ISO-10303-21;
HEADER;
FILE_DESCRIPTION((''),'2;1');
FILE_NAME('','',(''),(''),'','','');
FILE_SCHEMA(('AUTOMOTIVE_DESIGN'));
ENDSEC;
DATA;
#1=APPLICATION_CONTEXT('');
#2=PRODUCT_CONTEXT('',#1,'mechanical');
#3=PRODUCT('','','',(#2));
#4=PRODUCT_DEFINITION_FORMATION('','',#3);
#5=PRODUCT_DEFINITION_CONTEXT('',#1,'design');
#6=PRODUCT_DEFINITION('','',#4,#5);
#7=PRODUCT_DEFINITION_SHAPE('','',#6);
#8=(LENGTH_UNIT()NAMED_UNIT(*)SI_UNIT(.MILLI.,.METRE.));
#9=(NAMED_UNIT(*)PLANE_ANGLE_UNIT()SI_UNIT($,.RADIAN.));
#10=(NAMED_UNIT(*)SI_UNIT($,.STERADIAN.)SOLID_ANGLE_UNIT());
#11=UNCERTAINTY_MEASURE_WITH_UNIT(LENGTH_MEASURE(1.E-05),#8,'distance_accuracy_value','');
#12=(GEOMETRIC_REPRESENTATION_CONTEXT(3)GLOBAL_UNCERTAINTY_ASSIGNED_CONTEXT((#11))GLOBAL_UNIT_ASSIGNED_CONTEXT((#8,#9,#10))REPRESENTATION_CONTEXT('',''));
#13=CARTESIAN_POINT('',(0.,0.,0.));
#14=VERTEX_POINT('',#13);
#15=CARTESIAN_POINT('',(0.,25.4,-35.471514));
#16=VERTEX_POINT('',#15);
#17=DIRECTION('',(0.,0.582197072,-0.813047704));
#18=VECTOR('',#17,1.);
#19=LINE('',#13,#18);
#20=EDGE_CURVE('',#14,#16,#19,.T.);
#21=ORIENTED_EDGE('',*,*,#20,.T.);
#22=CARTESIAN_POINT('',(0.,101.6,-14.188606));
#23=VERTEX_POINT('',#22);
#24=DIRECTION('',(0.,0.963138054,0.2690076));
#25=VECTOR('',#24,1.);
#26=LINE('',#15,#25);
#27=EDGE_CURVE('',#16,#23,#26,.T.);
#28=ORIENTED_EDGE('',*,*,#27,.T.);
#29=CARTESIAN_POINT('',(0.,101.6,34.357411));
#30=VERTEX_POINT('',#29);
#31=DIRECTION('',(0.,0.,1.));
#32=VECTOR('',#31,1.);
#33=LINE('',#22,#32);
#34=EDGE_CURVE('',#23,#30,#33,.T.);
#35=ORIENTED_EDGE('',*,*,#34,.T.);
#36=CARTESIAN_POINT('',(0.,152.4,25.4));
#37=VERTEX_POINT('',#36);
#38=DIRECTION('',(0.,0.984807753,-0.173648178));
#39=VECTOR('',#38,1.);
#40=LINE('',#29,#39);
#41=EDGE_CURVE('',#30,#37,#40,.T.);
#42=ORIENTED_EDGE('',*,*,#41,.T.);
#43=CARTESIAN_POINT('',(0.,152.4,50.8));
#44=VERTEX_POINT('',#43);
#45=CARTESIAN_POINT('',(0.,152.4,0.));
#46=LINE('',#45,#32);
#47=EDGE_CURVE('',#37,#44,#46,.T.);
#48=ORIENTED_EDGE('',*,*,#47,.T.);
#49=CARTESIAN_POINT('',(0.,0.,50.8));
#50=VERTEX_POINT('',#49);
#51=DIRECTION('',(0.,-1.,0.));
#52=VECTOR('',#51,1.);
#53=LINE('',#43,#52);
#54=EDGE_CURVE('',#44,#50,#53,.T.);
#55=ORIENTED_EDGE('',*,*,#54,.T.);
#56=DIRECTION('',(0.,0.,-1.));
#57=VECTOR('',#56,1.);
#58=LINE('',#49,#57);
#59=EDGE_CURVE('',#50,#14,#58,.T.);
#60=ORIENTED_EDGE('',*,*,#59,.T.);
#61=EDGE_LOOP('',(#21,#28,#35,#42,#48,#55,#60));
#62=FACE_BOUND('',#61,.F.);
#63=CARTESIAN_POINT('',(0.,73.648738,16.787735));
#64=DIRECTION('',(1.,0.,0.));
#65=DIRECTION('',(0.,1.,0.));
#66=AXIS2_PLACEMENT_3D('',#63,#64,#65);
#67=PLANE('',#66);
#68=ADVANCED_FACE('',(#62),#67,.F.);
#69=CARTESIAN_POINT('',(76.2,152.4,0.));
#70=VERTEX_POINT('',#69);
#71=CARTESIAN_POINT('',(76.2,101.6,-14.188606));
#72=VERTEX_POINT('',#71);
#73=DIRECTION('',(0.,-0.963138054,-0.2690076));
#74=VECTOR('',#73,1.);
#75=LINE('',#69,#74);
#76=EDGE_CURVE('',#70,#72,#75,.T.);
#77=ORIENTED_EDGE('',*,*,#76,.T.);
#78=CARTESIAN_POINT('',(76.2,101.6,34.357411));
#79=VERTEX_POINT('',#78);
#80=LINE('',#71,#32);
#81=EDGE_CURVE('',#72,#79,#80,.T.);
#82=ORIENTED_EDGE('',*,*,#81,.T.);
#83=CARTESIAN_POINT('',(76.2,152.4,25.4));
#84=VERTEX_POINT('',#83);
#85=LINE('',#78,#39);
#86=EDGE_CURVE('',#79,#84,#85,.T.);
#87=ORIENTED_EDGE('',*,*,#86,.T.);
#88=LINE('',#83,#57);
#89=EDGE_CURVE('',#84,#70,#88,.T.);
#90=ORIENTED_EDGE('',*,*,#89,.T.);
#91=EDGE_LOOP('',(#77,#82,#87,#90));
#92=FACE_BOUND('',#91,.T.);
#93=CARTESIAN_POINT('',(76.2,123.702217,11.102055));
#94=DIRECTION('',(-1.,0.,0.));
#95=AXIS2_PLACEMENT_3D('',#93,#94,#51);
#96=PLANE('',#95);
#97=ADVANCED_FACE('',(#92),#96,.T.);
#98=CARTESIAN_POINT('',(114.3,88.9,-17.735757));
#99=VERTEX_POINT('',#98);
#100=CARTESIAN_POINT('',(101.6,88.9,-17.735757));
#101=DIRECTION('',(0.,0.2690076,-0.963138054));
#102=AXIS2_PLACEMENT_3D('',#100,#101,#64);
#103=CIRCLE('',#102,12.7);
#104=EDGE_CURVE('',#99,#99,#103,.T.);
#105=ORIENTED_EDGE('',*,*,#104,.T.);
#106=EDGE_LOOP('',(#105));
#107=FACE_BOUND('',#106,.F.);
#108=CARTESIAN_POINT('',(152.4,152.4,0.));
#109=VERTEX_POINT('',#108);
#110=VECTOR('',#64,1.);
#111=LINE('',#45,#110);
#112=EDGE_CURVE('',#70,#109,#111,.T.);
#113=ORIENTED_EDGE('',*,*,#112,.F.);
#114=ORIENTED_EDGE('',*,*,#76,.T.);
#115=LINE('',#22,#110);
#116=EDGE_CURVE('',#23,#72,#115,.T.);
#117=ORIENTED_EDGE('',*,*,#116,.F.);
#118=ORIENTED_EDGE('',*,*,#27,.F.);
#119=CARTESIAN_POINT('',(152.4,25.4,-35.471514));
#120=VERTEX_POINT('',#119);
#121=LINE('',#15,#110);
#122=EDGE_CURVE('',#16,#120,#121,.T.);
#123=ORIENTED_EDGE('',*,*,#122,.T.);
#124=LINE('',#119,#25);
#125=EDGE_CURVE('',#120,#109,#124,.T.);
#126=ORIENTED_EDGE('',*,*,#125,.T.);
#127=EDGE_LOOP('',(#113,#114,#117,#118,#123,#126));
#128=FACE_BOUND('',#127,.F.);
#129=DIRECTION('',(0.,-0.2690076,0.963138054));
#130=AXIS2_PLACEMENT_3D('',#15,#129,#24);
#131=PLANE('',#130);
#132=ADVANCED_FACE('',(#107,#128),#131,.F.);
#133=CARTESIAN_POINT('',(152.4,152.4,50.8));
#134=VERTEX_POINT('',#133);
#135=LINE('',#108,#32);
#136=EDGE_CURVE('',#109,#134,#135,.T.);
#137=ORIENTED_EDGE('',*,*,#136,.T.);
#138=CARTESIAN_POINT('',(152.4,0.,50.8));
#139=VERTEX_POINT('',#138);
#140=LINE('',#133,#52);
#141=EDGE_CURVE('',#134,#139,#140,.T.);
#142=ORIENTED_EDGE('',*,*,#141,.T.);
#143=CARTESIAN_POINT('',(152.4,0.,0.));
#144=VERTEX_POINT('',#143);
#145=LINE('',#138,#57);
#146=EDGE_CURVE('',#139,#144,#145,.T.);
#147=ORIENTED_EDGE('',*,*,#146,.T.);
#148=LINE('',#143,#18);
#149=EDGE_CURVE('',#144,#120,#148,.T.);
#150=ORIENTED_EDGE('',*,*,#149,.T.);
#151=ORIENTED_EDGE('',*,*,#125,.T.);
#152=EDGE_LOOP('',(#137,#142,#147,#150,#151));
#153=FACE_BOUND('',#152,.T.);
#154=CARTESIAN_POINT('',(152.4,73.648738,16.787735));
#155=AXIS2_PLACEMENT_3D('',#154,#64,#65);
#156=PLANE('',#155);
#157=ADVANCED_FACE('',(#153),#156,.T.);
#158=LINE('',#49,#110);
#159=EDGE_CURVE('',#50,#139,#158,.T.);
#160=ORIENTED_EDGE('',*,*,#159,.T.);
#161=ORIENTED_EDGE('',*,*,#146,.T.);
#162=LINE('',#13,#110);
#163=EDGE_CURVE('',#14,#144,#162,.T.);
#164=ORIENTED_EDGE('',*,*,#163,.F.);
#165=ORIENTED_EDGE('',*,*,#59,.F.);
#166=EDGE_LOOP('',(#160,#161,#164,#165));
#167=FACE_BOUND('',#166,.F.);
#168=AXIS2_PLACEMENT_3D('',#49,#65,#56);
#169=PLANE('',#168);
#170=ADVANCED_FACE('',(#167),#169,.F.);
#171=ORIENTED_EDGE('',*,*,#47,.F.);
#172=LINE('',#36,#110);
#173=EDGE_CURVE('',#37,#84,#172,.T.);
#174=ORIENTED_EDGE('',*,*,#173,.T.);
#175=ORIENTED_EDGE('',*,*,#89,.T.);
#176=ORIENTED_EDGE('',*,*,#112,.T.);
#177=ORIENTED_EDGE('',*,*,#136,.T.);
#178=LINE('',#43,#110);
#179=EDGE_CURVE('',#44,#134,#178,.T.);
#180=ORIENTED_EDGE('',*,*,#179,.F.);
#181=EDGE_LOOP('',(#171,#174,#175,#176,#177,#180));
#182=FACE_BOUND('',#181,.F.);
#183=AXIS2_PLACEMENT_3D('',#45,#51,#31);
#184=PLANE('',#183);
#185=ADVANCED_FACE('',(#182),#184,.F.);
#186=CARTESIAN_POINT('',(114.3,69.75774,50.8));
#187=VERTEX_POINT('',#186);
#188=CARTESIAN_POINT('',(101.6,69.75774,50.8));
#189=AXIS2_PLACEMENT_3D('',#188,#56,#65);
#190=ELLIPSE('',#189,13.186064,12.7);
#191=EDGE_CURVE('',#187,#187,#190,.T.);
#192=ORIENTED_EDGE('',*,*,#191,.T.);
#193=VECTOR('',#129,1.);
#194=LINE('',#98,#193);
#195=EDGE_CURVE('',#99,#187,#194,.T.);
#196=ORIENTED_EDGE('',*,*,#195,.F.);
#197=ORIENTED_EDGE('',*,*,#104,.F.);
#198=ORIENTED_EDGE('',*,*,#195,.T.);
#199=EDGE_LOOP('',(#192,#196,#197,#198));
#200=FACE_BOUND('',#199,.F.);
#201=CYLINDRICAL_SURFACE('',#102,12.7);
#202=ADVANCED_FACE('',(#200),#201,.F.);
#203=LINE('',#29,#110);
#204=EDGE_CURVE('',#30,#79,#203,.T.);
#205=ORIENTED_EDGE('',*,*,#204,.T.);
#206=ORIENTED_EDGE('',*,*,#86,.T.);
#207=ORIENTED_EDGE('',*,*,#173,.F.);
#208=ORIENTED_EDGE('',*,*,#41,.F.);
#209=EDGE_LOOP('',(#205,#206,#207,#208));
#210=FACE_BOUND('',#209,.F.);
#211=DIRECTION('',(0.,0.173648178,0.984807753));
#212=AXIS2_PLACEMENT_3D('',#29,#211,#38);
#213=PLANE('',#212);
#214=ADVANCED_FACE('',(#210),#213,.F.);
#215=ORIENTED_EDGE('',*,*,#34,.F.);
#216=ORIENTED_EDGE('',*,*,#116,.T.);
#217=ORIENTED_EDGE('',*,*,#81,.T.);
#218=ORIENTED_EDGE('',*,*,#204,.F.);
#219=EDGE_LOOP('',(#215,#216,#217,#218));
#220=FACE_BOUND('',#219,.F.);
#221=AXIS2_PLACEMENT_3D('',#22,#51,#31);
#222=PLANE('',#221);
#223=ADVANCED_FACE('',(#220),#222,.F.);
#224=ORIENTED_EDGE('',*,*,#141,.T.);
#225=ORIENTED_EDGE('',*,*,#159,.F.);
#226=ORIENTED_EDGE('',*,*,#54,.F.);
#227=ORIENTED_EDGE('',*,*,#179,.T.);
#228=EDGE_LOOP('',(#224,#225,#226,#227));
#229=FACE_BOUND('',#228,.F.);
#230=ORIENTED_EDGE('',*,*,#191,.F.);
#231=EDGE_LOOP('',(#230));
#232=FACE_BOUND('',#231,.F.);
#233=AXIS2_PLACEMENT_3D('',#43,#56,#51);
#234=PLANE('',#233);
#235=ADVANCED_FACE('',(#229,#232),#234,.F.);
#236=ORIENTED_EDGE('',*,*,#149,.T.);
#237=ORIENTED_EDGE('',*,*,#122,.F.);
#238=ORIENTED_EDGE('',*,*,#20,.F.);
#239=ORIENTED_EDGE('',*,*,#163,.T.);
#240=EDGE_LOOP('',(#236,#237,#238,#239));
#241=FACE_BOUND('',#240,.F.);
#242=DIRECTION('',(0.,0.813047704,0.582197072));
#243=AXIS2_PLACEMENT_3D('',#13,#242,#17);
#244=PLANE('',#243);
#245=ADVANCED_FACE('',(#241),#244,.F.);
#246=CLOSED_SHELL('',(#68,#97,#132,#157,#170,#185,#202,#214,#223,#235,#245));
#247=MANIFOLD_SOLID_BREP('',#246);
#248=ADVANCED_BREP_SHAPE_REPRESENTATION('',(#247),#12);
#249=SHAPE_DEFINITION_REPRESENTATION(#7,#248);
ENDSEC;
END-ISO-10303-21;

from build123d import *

# Parameters (mm, degrees)
F1_DEPTH = 152.4
F2_R     = 12.7
F3_DEPTH = 74.7069606938
F5_DEPTH = 76.2


with BuildPart() as f1:
    # F0 (on Right) → F1 (new body)
    with BuildSketch(Plane.YZ):
        Polygon((152.4, 50.8), (0, 50.8), (0, 0), (25.4, -35.4715141967), (152.4, 0), align=None)
    extrude(amount=F1_DEPTH)

    # F2 (on face) → F3 (cut, through all)
    with BuildSketch(Plane(origin=(0, 11.0284395164, -39.4855379111), x_dir=(1, 0, 0), z_dir=(0, 0.2690075997, -0.9631380541))):
        with Locations((101.6, -80.8519195663)):
            Circle(F2_R)
    extrude(amount=-F3_DEPTH, mode=Mode.SUBTRACT)

    # F4 (on face) → F5 (cut)
    with BuildSketch(Plane(origin=(0, 0, 0), x_dir=(0, -1, 0), z_dir=(-1, 0, 0))):
        Polygon((-152.4, 0), (-101.6, -14.1886056787), (-101.6, 34.35741062), (-152.4, 25.4), align=None)
    extrude(amount=-F5_DEPTH, mode=Mode.SUBTRACT)


solid = f1.part
